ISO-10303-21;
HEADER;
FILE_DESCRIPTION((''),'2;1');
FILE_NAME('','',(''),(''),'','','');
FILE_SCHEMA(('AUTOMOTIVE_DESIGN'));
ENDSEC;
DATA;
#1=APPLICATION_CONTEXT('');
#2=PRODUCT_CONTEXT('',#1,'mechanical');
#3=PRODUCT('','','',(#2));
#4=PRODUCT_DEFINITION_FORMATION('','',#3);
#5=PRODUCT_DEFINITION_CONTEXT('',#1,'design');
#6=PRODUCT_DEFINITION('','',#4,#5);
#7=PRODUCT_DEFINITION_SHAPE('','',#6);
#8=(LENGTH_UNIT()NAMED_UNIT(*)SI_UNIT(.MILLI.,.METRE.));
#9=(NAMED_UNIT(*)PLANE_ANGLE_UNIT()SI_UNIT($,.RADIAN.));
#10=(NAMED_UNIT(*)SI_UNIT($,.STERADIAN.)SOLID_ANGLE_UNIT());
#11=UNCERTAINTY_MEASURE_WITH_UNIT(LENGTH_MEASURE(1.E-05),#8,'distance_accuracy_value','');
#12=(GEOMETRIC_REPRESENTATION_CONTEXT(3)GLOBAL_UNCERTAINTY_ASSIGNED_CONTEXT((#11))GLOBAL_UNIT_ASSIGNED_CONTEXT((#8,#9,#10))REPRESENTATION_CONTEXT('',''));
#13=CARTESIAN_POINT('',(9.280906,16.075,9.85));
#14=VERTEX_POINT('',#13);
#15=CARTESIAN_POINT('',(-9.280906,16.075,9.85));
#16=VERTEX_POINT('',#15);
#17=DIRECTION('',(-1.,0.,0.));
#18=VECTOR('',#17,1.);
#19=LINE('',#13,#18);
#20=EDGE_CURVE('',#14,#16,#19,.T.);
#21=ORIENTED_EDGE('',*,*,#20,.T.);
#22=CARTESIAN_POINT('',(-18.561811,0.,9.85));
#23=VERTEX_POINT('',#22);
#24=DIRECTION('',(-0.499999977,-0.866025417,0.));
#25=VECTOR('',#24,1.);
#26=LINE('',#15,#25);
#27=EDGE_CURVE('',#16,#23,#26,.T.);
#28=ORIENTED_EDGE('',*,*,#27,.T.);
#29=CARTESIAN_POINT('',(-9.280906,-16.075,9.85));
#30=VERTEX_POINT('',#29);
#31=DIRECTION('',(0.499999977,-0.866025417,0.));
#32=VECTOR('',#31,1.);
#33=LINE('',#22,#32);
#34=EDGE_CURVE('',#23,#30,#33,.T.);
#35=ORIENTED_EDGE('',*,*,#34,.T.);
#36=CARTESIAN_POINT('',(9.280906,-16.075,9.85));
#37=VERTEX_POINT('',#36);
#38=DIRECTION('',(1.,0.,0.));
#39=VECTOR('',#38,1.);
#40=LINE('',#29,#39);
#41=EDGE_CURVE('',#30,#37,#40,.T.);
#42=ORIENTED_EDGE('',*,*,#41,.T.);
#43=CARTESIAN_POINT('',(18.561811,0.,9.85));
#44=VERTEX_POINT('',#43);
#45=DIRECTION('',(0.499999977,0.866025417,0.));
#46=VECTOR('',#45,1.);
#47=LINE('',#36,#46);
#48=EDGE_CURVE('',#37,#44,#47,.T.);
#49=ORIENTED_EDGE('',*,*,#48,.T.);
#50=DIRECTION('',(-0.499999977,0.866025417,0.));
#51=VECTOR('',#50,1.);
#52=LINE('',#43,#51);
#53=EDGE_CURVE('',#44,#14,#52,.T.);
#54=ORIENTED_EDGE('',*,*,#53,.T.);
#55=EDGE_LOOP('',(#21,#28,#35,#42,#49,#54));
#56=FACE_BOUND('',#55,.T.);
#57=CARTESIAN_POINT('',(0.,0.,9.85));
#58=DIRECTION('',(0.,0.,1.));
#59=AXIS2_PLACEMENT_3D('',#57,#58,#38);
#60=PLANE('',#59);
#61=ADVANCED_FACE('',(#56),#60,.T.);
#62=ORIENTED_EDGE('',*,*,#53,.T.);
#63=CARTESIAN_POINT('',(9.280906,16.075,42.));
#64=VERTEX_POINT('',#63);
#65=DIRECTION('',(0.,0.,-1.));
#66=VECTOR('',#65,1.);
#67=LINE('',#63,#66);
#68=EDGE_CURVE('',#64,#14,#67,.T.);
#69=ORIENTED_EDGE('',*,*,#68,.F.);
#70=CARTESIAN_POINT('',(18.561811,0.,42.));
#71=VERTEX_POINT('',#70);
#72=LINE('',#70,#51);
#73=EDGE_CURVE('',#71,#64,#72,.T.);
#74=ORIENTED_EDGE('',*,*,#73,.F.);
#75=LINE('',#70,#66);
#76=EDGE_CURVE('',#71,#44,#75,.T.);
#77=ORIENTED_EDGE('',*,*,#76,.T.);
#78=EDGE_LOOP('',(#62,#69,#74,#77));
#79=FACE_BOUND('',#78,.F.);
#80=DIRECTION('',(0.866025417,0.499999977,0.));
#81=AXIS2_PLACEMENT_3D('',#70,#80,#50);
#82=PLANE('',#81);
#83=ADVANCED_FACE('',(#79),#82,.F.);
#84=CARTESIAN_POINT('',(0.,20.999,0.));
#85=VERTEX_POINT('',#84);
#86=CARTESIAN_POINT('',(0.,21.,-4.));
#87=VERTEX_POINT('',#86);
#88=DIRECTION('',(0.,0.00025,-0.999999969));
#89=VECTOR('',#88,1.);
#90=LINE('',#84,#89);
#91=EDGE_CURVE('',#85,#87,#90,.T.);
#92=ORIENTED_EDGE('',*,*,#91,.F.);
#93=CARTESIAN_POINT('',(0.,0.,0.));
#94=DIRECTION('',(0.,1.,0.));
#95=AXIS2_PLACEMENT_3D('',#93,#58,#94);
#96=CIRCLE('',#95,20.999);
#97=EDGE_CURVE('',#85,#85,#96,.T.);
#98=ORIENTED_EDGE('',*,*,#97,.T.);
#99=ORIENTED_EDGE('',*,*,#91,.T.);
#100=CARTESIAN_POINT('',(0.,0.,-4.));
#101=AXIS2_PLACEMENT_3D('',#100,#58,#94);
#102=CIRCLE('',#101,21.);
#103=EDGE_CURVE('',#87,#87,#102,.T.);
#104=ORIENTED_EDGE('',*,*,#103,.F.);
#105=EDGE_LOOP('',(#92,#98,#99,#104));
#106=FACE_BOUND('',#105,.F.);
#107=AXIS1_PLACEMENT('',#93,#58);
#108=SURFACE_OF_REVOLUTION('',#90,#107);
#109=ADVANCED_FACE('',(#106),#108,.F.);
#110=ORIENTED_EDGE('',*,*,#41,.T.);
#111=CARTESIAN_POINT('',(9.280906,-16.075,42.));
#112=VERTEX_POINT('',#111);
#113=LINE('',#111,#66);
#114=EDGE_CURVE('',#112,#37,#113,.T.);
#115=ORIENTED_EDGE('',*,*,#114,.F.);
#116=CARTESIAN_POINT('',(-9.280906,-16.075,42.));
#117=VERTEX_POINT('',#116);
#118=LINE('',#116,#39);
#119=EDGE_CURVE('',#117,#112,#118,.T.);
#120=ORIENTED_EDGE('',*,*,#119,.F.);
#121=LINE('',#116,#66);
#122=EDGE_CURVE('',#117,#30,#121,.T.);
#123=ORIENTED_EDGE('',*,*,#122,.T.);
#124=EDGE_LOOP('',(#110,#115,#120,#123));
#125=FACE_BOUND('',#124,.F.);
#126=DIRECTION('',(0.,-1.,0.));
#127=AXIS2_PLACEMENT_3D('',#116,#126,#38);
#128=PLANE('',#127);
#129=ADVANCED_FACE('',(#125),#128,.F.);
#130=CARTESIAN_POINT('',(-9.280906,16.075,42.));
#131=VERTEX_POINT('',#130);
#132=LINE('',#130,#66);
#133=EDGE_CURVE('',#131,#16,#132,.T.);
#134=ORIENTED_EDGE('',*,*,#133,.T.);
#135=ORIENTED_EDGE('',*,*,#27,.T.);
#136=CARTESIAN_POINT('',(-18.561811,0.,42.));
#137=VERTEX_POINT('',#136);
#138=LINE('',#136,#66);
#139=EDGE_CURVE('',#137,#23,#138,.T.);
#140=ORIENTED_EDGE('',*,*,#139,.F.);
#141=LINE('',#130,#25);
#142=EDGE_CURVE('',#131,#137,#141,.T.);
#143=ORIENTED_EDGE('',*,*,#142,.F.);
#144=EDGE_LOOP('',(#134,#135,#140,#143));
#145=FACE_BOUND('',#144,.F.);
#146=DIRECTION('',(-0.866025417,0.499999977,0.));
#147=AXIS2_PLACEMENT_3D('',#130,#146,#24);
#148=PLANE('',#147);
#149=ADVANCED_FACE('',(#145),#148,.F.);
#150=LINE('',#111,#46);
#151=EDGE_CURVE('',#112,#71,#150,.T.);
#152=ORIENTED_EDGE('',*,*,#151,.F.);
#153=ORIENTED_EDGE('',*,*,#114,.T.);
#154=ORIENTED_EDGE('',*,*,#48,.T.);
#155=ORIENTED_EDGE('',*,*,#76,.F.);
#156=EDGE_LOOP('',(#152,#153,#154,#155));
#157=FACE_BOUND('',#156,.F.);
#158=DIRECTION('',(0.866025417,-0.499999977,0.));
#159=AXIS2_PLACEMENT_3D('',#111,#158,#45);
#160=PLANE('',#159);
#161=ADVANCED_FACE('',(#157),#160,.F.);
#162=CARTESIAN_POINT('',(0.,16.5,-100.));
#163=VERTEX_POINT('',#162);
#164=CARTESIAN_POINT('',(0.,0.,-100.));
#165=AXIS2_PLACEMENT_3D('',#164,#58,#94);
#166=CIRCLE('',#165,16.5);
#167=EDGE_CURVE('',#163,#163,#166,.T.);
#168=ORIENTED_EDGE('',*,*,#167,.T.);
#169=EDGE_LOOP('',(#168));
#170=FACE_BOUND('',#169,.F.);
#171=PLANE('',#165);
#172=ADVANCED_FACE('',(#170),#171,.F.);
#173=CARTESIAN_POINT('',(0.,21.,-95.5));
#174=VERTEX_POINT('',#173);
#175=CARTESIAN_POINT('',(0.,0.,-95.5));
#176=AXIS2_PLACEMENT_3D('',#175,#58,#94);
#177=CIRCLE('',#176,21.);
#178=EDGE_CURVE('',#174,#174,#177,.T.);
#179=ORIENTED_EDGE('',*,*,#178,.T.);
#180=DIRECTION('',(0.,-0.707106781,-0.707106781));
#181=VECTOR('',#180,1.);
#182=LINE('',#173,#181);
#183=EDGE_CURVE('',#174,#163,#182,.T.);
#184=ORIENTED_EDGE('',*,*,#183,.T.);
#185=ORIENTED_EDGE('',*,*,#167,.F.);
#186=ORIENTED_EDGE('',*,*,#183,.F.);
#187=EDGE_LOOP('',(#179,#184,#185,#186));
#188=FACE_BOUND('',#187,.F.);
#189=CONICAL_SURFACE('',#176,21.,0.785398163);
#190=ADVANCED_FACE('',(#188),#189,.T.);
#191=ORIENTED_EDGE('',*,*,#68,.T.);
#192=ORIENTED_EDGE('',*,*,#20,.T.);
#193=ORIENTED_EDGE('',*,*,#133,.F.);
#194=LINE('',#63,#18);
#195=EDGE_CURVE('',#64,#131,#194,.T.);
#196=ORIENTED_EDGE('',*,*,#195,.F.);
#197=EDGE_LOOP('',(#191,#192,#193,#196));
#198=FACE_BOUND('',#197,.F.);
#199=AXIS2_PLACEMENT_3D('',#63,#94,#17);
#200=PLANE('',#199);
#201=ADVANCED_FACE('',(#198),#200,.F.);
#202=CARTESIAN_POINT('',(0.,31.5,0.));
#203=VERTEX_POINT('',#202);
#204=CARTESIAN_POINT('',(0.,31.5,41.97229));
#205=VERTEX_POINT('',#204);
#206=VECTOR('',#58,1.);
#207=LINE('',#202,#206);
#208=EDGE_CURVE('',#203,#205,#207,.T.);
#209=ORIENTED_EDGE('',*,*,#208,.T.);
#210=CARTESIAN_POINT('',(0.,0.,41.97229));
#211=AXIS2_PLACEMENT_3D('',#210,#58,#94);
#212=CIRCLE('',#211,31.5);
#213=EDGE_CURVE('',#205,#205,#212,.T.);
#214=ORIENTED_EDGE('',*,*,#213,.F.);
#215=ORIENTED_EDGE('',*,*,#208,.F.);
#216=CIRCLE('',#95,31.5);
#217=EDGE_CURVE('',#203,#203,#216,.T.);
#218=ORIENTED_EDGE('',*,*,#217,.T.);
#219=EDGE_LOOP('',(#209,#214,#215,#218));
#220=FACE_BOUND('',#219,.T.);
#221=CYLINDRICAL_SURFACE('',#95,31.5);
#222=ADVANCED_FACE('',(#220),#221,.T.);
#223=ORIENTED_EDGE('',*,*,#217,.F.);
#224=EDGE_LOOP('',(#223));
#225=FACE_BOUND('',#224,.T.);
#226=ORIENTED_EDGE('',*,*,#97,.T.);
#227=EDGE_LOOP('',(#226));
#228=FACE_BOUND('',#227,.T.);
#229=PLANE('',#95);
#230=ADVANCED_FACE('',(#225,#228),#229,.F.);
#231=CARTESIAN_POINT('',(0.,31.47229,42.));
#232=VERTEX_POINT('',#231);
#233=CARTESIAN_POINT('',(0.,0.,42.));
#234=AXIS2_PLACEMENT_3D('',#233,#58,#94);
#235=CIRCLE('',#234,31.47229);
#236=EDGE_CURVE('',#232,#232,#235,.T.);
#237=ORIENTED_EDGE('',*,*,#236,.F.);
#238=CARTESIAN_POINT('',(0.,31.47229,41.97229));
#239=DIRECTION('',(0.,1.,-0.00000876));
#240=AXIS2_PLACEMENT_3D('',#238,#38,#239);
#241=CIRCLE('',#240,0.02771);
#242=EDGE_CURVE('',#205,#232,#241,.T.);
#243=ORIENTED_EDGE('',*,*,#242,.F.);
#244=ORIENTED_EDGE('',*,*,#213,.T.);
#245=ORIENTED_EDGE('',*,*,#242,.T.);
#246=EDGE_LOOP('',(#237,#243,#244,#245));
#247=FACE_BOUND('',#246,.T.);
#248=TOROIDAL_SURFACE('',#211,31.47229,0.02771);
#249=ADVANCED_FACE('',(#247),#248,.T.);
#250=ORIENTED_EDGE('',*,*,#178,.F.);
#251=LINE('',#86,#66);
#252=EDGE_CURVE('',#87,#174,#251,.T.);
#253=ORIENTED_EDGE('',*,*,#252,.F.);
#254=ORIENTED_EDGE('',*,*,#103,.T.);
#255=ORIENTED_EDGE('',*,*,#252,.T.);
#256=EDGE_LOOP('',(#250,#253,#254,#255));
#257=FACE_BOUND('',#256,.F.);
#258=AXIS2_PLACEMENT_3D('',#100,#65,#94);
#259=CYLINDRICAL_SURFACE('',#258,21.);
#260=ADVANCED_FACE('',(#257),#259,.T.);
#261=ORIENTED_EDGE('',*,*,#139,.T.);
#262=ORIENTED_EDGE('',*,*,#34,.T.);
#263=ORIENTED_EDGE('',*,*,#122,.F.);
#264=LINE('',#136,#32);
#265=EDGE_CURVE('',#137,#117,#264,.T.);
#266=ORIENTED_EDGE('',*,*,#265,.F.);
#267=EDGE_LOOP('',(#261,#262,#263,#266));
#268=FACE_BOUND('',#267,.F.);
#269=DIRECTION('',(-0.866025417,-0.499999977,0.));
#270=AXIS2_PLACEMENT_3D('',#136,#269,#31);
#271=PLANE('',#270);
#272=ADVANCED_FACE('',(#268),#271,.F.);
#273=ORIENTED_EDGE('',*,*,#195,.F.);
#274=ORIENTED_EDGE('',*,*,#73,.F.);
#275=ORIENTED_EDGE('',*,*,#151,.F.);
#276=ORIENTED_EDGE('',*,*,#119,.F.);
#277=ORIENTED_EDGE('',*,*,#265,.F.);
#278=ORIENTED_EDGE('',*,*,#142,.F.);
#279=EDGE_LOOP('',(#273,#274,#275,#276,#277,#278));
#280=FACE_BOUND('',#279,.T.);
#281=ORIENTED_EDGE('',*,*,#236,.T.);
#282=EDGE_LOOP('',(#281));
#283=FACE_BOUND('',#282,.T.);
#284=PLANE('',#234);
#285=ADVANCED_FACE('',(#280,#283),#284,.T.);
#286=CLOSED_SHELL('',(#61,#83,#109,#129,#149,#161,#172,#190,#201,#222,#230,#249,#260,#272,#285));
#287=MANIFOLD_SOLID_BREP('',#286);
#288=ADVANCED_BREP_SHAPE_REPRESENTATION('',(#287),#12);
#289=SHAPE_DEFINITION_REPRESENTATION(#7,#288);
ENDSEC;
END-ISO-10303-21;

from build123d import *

# Parameters (mm, degrees)
POCKET_DEPTH = 32.15


with BuildPart() as part:
    # Sketch → Revolve (revolve)
    with BuildSketch(Plane.YZ):
        with BuildLine():
            Line((20.999, 0), (31.5, 0))
            Line((31.5, 0), (31.5, 41.97229))
            ThreePointArc((31.5, 41.97229), (31.491884, 41.991884), (31.47229, 42))
            Line((31.47229, 42), (0, 42))
            Line((0, -100), (0, 42))
            Line((16.5, -100), (0, -100))
            Line((21, -95.5), (16.5, -100))
            Line((21, -4), (21, -95.5))
            Line((20.999, 0), (21, -4))
        make_face()
    revolve(axis=Axis((0, 0, 0), (0, 0, 1)))

    # Sketch001 → Pocket (cut)
    with BuildSketch(Plane.XY.offset(42)):
        Polygon((18.561811, 0), (9.280906, 16.075), (-9.280906, 16.075), (-18.561811, 0), (-9.280906, -16.075), (9.280906, -16.075), align=None)
    extrude(amount=-POCKET_DEPTH, mode=Mode.SUBTRACT)


solid = part.part
